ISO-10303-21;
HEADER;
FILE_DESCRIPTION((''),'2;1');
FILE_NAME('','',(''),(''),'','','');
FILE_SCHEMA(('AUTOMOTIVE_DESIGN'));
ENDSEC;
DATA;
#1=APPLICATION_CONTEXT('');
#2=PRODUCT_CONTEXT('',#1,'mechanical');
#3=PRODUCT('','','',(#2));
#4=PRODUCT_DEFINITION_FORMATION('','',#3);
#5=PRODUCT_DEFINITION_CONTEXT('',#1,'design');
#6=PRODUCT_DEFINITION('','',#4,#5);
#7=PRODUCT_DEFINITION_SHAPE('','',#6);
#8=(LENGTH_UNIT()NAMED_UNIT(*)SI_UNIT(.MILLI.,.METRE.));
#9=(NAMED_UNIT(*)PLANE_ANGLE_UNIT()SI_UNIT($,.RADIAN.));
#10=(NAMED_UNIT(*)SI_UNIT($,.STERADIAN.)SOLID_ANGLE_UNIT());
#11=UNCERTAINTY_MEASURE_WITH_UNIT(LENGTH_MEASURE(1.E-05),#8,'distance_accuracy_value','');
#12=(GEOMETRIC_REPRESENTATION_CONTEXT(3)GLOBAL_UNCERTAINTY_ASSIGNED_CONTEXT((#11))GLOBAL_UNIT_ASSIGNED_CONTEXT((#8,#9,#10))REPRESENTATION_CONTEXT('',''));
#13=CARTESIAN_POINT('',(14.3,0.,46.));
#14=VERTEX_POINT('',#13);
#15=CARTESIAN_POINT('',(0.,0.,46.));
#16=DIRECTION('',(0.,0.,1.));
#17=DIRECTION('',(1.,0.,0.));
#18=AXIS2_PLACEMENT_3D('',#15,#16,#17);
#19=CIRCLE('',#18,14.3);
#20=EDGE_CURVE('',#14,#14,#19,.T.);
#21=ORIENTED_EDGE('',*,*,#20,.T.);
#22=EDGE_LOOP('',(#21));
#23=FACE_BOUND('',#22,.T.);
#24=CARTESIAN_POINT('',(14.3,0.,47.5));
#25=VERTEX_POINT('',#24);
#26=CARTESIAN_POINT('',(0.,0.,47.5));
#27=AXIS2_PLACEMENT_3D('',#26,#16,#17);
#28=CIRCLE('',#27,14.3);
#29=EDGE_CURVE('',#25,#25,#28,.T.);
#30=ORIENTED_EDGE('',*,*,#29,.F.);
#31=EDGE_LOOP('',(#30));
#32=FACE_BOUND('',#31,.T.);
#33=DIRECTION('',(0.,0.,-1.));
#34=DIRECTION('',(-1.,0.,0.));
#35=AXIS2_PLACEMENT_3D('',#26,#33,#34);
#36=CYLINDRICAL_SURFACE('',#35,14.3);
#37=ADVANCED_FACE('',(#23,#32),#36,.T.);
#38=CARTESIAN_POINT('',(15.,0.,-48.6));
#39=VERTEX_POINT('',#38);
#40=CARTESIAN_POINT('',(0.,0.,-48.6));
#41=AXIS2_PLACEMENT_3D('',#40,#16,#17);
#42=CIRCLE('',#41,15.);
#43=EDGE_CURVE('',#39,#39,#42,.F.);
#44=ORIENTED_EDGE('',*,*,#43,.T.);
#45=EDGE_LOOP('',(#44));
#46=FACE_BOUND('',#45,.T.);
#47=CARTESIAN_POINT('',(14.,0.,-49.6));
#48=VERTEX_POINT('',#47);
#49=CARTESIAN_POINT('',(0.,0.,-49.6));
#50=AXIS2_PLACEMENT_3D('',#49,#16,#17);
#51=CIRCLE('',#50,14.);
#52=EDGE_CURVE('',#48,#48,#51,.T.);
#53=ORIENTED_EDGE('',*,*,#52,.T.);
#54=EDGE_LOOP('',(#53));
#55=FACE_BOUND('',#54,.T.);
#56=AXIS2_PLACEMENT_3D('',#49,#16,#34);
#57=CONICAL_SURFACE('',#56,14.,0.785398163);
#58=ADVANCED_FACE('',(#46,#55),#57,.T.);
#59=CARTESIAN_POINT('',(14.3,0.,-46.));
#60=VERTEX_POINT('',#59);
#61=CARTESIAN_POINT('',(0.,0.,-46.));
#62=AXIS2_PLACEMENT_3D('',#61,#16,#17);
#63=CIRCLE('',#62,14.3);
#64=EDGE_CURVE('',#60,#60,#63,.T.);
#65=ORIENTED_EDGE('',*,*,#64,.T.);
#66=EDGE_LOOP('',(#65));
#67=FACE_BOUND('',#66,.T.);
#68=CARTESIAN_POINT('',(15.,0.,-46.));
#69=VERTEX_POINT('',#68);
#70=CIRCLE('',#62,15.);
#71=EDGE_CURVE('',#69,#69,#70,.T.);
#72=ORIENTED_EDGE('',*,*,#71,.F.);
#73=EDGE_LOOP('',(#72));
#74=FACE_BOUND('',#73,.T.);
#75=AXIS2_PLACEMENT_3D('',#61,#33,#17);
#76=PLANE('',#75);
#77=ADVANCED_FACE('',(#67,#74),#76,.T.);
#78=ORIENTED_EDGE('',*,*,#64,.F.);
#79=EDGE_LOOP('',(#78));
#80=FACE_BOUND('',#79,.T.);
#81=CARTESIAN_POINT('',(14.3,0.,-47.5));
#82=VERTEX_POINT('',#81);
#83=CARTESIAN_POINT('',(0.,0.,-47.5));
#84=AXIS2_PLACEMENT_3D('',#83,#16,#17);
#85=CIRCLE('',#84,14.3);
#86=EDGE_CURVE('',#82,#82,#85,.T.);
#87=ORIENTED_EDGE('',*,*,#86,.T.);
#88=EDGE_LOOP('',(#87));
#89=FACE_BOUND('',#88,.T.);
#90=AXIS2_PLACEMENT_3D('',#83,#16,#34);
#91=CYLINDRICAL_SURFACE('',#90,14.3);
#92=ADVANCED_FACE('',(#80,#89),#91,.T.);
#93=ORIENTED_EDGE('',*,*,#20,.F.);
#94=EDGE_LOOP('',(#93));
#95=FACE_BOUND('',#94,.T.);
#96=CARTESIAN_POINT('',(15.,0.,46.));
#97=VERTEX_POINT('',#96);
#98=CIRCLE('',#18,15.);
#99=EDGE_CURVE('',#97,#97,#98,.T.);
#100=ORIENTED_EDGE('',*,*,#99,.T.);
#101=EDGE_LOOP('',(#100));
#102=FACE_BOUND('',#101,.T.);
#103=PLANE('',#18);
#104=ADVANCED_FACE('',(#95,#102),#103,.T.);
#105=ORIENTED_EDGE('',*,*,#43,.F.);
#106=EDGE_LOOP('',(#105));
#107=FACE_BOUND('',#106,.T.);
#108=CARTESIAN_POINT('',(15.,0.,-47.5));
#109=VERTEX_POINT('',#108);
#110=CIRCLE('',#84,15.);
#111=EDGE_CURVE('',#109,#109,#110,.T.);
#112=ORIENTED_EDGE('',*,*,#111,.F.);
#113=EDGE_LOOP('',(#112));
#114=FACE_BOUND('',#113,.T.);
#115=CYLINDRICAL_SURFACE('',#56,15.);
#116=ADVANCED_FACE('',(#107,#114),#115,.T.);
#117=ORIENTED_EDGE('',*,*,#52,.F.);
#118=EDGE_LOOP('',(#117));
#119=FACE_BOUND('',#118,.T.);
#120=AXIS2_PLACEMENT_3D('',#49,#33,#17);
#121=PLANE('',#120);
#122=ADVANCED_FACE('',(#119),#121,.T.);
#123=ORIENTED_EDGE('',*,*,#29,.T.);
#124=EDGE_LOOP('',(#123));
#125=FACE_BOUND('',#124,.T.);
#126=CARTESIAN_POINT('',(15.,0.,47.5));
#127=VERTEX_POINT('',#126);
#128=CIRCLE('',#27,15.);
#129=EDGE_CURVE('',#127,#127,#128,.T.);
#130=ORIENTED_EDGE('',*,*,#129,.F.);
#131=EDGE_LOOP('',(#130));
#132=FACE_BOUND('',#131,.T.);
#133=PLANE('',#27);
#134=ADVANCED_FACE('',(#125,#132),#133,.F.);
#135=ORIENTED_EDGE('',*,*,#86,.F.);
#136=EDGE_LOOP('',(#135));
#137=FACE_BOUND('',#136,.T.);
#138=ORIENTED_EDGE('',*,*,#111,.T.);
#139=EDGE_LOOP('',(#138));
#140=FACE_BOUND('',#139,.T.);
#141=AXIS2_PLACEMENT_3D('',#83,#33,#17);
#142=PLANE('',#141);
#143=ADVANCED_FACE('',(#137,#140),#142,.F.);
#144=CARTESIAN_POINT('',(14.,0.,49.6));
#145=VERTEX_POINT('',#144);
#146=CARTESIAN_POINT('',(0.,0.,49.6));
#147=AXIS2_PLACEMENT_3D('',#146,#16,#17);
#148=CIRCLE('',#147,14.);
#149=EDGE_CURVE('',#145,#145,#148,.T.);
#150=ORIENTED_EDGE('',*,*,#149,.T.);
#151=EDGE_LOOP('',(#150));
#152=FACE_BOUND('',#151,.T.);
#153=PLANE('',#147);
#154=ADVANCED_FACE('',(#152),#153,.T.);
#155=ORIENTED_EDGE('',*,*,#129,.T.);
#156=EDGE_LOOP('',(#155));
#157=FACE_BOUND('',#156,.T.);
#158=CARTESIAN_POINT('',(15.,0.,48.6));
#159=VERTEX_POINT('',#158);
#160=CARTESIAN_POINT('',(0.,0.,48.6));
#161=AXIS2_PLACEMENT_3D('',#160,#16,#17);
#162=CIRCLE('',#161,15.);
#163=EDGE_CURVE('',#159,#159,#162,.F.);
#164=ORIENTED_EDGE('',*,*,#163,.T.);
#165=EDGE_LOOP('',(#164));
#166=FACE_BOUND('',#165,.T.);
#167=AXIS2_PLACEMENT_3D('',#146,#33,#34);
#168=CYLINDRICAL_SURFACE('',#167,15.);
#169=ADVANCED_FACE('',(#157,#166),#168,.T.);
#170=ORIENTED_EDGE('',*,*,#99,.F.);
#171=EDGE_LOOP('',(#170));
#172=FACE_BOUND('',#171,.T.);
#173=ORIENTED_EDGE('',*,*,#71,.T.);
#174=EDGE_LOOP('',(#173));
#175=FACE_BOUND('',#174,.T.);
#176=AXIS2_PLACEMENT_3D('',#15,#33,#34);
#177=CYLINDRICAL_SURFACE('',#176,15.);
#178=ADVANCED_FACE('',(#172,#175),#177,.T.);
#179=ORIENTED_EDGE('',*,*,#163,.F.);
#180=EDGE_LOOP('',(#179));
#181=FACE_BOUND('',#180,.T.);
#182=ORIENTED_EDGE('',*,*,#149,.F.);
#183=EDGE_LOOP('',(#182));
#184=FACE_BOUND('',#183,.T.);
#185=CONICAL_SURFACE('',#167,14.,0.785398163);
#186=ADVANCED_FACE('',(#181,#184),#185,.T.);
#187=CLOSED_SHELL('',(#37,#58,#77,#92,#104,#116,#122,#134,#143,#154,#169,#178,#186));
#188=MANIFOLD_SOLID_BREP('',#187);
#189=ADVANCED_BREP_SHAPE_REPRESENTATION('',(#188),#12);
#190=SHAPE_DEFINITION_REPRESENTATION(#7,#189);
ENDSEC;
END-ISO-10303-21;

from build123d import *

# Parameters (mm, degrees)
SZKIC1_R                   = 15
WYCI_GNI_CIE_PROSTE1_DEPTH = 46
SZKIC2_R                   = 14.3
WYCI_GNI_CIE_PROSTE2_DEPTH = 1.5
SZKIC3_R                   = 15
WYCI_GNI_CIE_PROSTE3_DEPTH = 2.1
FAZA1_SIZE                 = 1


with BuildPart() as part:
    # Szkic1 → Wyciągnięcie proste1 (new body)
    with BuildSketch(Plane.XY):
        Circle(SZKIC1_R)
    extrude(amount=WYCI_GNI_CIE_PROSTE1_DEPTH)

    # Szkic2 → Wyciągnięcie proste2 (add)
    with BuildSketch(Plane.XY.offset(46)):
        Circle(SZKIC2_R)
    extrude(amount=WYCI_GNI_CIE_PROSTE2_DEPTH)

    # Szkic3 → Wyciągnięcie proste3 (add)
    with BuildSketch(Plane.XY.offset(47.5)):
        Circle(SZKIC3_R)
    extrude(amount=WYCI_GNI_CIE_PROSTE3_DEPTH)

    # Faza1
    faza1_edges = [part.edges().sort_by_distance(p)[0] for p in [
        (-15, 0, 49.6),
    ]]
    chamfer(faza1_edges, length=FAZA1_SIZE)

    # Odbicie lustrzane1: part across plane


with BuildPart() as part_1:
    add(part.part)
    add(part.part.mirror(Plane(origin=(0, 0, 0), x_dir=(1, 0, 0), z_dir=(0, 0, -1))))


solid = part_1.part
